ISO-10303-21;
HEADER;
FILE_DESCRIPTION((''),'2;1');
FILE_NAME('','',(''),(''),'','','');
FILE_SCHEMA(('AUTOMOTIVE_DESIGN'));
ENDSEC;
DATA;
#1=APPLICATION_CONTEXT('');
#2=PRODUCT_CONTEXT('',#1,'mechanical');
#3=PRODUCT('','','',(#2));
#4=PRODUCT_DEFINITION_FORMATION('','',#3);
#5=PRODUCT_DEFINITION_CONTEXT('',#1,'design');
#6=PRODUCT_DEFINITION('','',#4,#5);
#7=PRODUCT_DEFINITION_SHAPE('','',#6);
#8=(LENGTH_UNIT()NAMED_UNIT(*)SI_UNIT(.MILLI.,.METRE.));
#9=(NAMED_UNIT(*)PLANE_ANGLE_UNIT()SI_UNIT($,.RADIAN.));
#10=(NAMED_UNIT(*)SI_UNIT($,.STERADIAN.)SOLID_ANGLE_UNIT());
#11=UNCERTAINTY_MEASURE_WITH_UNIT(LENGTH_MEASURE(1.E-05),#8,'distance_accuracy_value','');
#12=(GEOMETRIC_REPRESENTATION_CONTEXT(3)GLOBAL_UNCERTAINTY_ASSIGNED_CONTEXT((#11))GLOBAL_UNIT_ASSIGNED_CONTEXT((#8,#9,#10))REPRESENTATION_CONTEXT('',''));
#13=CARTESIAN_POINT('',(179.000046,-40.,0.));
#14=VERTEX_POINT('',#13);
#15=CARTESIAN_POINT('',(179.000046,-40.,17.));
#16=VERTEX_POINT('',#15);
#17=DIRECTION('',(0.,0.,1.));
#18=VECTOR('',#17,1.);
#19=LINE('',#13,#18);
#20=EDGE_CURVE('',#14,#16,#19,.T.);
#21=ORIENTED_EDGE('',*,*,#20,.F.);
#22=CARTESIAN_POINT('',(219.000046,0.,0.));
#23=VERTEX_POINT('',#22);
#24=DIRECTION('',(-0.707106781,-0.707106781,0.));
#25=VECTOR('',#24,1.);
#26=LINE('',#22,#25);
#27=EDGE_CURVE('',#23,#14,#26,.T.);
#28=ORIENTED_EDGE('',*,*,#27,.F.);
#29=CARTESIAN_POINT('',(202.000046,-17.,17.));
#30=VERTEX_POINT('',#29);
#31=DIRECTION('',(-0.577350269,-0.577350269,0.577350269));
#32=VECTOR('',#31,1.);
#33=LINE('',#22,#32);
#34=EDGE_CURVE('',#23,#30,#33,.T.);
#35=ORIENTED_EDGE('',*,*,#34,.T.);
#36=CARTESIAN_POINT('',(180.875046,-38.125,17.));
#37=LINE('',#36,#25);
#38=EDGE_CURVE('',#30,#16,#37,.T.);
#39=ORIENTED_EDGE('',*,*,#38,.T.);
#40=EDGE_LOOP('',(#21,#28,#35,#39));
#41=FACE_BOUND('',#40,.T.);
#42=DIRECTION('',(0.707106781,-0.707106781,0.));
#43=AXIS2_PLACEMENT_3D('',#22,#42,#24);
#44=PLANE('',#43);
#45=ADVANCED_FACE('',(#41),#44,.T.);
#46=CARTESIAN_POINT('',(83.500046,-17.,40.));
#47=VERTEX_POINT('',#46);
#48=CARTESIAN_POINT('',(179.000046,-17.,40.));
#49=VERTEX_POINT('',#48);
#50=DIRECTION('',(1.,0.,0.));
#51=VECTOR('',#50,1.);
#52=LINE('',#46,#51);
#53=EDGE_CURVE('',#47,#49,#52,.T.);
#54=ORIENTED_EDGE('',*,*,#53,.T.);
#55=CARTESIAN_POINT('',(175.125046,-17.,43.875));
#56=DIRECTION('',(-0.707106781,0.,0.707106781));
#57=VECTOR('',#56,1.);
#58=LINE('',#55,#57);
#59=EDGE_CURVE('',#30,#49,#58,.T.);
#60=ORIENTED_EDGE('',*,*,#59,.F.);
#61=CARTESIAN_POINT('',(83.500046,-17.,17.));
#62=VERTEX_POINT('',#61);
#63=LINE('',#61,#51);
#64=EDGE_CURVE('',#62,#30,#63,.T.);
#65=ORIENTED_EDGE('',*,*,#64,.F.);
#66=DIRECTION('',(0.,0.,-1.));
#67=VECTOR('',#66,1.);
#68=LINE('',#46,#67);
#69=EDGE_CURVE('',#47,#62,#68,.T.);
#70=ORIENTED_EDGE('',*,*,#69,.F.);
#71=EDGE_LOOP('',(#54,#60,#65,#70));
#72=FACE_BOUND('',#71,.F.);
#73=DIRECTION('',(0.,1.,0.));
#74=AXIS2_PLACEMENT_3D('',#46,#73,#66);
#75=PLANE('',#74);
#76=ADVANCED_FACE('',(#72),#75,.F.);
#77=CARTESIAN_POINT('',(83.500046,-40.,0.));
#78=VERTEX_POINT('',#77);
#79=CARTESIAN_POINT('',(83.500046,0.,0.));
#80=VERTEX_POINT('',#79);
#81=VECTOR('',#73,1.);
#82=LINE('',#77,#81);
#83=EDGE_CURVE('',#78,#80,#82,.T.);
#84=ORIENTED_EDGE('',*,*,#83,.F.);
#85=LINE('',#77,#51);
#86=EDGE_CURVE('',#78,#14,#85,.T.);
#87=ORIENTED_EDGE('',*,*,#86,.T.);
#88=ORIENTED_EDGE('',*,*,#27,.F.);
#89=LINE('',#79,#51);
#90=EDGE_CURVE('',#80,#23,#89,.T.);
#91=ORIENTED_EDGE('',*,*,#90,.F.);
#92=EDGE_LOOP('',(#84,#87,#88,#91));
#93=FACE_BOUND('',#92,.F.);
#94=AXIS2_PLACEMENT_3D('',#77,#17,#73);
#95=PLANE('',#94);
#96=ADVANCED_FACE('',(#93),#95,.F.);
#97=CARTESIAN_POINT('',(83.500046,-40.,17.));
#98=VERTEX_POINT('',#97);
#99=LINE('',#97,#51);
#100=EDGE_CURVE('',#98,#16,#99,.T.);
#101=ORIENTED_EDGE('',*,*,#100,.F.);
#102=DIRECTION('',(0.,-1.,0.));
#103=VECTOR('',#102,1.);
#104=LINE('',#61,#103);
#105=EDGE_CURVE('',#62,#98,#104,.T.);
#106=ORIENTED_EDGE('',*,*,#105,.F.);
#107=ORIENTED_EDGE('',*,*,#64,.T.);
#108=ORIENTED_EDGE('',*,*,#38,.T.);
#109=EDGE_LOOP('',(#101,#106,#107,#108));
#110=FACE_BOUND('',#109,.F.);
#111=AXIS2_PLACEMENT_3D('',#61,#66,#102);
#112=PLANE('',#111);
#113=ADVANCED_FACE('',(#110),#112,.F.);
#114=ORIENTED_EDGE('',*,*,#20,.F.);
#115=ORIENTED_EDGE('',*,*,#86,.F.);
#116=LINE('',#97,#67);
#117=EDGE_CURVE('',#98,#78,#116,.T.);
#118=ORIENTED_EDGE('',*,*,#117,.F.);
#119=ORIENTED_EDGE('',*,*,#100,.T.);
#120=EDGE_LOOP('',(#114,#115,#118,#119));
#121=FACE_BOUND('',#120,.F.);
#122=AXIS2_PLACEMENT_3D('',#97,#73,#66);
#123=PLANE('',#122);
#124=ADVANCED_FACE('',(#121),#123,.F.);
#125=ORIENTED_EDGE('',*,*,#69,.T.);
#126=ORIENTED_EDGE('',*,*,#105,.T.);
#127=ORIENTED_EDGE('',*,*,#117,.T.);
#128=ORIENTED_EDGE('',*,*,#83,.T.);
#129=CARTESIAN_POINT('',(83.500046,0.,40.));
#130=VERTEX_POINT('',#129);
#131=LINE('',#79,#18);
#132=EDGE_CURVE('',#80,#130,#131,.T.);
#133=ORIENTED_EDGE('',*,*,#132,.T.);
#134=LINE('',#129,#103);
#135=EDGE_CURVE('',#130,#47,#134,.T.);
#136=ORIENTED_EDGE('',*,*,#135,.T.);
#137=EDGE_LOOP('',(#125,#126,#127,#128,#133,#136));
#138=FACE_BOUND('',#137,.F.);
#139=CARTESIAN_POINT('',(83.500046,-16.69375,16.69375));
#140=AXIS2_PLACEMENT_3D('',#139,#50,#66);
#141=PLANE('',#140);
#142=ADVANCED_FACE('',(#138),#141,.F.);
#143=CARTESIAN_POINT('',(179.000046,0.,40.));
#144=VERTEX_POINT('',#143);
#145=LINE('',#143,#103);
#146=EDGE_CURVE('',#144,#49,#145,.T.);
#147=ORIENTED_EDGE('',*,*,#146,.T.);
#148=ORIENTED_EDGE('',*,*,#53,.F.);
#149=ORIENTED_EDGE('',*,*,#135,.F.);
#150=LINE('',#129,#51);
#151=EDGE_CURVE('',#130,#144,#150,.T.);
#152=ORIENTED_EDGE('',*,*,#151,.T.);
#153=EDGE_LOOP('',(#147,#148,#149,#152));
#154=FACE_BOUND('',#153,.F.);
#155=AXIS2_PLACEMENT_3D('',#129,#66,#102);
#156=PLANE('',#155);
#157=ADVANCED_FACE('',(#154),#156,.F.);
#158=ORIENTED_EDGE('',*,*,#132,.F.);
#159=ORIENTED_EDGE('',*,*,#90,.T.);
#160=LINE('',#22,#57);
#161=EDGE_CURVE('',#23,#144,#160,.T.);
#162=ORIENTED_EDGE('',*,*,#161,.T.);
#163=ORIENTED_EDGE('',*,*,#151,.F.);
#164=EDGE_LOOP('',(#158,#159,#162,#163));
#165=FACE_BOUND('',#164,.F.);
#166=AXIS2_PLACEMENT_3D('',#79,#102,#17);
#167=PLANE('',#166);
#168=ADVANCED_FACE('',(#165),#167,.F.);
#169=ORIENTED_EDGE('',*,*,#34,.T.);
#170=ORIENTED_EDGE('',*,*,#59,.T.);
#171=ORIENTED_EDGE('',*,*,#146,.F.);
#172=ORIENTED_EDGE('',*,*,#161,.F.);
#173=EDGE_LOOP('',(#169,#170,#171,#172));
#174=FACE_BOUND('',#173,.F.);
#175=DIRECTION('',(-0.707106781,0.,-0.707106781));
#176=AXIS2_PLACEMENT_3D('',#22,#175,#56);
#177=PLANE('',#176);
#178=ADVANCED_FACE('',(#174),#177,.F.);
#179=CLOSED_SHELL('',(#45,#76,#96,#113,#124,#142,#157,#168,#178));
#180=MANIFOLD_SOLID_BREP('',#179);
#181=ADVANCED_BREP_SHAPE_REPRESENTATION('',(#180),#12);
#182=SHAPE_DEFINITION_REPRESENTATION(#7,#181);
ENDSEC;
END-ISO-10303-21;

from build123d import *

# Parameters (mm, degrees)
BOSS_EXTRU_1_START      = 83.500046
BOSS_EXTRU_1_DEPTH      = 135.5
ENL_V_MAT_EXTRU_1_DEPTH = 41
ENL_V_MAT_EXTRU_2_DEPTH = 41


with BuildPart() as part:
    # Esquisse1 → Boss.-Extru.1 (new body)
    with BuildSketch(Plane(origin=(0, 0, 0), x_dir=(0, 0, -1), z_dir=(1, 0, 0)).offset(BOSS_EXTRU_1_START)):
        Polygon((0, 0), (-40, 0), (-40, -17), (-17, -17), (-17, -40), (0, -40), align=None)
    extrude(amount=BOSS_EXTRU_1_DEPTH)

    # Esquisse2 → Enlèv. mat.-Extru.1 (cut, through all)
    with BuildSketch(Plane(origin=(0, 0, 0), x_dir=(1, 0, 0), z_dir=(0, 1, 0))):
        Polygon((219.000046471, 0), (179.000046471, -40), (219.000046471, -40), align=None)
    extrude(amount=-ENL_V_MAT_EXTRU_1_DEPTH, mode=Mode.SUBTRACT)

    # Esquisse3 → Enlèv. mat.-Extru.2 (cut, through all)
    with BuildSketch(Plane(origin=(0, 0, 0), x_dir=(-1, 0, 0), z_dir=(0, 0, -1))):
        Polygon((-219.000046471, 0), (-179.000046471, -40), (-219.000046471, -40), align=None)
    extrude(amount=-ENL_V_MAT_EXTRU_2_DEPTH, mode=Mode.SUBTRACT)


solid = part.part
